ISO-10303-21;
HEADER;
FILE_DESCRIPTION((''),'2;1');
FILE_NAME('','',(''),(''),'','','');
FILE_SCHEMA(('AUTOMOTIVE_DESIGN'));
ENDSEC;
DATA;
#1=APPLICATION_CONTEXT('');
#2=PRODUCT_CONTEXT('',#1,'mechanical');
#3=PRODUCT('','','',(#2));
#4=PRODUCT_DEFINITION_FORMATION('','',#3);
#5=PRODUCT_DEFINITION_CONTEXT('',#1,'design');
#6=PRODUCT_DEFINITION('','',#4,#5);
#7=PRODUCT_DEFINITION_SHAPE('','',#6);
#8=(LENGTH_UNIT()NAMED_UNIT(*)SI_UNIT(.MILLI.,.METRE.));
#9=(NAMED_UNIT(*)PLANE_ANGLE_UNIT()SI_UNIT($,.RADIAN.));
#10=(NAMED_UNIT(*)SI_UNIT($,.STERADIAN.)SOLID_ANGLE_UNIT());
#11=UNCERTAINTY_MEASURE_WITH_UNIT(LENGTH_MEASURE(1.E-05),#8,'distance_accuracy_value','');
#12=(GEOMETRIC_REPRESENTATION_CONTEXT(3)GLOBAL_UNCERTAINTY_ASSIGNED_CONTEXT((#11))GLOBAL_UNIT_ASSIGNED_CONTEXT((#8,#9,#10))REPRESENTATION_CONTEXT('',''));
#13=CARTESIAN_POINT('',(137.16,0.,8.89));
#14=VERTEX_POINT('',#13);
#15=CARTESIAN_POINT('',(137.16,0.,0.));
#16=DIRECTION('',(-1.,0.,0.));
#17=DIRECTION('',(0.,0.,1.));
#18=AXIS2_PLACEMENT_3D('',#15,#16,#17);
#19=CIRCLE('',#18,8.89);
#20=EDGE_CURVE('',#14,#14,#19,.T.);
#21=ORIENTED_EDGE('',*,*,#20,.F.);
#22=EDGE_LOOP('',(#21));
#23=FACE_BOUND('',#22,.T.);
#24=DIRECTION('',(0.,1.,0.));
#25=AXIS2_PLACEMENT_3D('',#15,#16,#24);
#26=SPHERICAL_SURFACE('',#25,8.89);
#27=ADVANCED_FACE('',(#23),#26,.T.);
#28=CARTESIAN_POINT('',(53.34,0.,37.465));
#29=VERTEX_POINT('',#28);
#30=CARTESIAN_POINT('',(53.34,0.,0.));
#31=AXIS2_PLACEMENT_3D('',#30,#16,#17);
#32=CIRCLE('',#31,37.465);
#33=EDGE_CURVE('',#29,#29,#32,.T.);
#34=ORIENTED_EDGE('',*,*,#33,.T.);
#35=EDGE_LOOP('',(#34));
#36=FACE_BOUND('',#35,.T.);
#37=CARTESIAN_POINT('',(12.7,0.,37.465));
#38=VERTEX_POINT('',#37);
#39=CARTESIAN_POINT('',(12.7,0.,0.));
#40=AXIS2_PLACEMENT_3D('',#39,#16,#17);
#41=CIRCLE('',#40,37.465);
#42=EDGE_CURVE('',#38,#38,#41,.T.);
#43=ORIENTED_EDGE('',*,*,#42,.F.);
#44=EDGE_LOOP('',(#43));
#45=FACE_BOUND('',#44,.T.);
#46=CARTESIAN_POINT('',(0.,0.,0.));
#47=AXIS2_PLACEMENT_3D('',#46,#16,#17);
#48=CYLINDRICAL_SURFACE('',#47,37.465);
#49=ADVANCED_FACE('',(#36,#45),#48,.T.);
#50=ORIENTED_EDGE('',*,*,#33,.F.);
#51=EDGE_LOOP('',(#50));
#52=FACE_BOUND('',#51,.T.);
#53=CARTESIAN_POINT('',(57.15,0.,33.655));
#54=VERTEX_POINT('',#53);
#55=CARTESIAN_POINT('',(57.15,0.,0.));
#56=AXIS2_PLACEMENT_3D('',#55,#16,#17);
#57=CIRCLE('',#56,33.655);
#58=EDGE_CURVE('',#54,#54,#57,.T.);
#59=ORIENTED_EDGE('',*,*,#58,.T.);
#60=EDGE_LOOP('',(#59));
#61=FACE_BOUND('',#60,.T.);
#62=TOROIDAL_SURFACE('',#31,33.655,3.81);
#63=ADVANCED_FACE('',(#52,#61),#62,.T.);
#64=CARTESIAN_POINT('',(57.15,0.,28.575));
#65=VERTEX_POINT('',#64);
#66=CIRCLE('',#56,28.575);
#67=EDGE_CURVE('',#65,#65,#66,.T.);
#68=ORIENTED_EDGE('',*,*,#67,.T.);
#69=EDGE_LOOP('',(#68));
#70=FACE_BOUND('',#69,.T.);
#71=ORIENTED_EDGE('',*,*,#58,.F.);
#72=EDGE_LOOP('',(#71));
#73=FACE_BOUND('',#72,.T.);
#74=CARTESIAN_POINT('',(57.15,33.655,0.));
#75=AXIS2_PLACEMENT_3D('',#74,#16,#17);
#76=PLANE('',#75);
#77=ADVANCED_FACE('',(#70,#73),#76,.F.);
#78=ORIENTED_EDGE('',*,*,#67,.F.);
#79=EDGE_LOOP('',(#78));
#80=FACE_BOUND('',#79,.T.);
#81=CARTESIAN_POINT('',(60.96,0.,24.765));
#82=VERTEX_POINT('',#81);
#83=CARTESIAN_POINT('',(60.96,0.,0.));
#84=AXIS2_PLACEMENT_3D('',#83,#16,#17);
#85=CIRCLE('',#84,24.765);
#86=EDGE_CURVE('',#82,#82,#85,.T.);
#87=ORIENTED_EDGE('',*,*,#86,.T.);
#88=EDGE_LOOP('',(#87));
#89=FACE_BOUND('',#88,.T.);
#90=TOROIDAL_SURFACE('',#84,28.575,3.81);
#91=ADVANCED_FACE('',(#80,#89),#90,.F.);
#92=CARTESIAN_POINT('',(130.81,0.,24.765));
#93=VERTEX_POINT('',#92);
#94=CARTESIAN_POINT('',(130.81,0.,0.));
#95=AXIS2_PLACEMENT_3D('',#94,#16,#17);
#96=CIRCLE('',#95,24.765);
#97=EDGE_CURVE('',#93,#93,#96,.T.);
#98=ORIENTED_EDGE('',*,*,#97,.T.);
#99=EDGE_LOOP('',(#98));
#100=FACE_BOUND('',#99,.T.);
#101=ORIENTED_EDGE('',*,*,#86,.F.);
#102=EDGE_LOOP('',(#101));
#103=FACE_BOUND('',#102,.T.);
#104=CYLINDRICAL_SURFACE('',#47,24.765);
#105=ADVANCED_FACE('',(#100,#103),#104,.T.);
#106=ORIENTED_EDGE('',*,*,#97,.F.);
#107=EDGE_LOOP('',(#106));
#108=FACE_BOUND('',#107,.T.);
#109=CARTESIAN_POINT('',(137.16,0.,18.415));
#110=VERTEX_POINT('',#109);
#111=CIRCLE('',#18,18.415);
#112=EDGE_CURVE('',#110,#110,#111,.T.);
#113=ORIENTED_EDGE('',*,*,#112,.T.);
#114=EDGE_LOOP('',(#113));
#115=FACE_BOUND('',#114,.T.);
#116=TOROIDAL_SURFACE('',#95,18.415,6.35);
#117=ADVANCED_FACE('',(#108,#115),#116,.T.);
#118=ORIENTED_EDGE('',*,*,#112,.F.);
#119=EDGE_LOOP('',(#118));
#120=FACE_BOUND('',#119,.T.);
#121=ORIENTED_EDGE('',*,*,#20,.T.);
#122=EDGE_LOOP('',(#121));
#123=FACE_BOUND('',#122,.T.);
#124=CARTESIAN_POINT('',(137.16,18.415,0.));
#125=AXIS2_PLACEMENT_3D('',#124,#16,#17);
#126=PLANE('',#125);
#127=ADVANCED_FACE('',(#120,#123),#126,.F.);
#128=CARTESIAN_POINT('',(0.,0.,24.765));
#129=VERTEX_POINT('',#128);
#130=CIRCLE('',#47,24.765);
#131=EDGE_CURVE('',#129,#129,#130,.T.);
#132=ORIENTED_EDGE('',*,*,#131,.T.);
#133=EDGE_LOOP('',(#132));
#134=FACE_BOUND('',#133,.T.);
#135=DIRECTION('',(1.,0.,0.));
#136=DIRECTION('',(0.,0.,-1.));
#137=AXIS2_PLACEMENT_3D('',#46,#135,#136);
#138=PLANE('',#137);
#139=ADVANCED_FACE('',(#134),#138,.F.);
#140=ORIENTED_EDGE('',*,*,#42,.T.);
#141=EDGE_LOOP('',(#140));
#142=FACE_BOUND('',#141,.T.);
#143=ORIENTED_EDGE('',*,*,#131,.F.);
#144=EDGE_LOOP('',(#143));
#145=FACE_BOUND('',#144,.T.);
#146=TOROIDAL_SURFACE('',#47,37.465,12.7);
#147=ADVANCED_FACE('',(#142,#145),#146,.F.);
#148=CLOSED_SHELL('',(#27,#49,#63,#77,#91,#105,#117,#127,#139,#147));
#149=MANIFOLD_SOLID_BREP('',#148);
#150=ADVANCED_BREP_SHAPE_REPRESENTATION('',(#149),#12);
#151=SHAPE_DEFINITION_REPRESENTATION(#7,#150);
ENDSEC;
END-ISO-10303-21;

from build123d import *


with BuildPart() as part:
    # Sketch1 → Revolve5 (revolve)
    with BuildSketch(Plane.XY):
        with BuildLine():
            Line((0, 0), (146.05, 0))
            ThreePointArc((146.05, 0), (143.446179285, 6.286179285), (137.16, 8.89))
            Line((137.16, 8.89), (137.16, 18.415))
            ThreePointArc((137.16, 18.415), (135.300128061, 22.905128061), (130.81, 24.765))
            Line((130.81, 24.765), (60.96, 24.765))
            ThreePointArc((60.96, 24.765), (58.265923164, 25.880923164), (57.15, 28.575))
            Line((57.15, 28.575), (57.15, 33.655))
            ThreePointArc((57.15, 33.655), (56.034076836, 36.349076836), (53.34, 37.465))
            Line((53.34, 37.465), (12.7, 37.465))
            ThreePointArc((12.7, 37.465), (8.980256121, 28.484743879), (0, 24.765))
            Line((0, 24.765), (0, 0))
        make_face()
    revolve(axis=Axis((0, 0, 0), (1, 0, 0)))


solid = part.part
